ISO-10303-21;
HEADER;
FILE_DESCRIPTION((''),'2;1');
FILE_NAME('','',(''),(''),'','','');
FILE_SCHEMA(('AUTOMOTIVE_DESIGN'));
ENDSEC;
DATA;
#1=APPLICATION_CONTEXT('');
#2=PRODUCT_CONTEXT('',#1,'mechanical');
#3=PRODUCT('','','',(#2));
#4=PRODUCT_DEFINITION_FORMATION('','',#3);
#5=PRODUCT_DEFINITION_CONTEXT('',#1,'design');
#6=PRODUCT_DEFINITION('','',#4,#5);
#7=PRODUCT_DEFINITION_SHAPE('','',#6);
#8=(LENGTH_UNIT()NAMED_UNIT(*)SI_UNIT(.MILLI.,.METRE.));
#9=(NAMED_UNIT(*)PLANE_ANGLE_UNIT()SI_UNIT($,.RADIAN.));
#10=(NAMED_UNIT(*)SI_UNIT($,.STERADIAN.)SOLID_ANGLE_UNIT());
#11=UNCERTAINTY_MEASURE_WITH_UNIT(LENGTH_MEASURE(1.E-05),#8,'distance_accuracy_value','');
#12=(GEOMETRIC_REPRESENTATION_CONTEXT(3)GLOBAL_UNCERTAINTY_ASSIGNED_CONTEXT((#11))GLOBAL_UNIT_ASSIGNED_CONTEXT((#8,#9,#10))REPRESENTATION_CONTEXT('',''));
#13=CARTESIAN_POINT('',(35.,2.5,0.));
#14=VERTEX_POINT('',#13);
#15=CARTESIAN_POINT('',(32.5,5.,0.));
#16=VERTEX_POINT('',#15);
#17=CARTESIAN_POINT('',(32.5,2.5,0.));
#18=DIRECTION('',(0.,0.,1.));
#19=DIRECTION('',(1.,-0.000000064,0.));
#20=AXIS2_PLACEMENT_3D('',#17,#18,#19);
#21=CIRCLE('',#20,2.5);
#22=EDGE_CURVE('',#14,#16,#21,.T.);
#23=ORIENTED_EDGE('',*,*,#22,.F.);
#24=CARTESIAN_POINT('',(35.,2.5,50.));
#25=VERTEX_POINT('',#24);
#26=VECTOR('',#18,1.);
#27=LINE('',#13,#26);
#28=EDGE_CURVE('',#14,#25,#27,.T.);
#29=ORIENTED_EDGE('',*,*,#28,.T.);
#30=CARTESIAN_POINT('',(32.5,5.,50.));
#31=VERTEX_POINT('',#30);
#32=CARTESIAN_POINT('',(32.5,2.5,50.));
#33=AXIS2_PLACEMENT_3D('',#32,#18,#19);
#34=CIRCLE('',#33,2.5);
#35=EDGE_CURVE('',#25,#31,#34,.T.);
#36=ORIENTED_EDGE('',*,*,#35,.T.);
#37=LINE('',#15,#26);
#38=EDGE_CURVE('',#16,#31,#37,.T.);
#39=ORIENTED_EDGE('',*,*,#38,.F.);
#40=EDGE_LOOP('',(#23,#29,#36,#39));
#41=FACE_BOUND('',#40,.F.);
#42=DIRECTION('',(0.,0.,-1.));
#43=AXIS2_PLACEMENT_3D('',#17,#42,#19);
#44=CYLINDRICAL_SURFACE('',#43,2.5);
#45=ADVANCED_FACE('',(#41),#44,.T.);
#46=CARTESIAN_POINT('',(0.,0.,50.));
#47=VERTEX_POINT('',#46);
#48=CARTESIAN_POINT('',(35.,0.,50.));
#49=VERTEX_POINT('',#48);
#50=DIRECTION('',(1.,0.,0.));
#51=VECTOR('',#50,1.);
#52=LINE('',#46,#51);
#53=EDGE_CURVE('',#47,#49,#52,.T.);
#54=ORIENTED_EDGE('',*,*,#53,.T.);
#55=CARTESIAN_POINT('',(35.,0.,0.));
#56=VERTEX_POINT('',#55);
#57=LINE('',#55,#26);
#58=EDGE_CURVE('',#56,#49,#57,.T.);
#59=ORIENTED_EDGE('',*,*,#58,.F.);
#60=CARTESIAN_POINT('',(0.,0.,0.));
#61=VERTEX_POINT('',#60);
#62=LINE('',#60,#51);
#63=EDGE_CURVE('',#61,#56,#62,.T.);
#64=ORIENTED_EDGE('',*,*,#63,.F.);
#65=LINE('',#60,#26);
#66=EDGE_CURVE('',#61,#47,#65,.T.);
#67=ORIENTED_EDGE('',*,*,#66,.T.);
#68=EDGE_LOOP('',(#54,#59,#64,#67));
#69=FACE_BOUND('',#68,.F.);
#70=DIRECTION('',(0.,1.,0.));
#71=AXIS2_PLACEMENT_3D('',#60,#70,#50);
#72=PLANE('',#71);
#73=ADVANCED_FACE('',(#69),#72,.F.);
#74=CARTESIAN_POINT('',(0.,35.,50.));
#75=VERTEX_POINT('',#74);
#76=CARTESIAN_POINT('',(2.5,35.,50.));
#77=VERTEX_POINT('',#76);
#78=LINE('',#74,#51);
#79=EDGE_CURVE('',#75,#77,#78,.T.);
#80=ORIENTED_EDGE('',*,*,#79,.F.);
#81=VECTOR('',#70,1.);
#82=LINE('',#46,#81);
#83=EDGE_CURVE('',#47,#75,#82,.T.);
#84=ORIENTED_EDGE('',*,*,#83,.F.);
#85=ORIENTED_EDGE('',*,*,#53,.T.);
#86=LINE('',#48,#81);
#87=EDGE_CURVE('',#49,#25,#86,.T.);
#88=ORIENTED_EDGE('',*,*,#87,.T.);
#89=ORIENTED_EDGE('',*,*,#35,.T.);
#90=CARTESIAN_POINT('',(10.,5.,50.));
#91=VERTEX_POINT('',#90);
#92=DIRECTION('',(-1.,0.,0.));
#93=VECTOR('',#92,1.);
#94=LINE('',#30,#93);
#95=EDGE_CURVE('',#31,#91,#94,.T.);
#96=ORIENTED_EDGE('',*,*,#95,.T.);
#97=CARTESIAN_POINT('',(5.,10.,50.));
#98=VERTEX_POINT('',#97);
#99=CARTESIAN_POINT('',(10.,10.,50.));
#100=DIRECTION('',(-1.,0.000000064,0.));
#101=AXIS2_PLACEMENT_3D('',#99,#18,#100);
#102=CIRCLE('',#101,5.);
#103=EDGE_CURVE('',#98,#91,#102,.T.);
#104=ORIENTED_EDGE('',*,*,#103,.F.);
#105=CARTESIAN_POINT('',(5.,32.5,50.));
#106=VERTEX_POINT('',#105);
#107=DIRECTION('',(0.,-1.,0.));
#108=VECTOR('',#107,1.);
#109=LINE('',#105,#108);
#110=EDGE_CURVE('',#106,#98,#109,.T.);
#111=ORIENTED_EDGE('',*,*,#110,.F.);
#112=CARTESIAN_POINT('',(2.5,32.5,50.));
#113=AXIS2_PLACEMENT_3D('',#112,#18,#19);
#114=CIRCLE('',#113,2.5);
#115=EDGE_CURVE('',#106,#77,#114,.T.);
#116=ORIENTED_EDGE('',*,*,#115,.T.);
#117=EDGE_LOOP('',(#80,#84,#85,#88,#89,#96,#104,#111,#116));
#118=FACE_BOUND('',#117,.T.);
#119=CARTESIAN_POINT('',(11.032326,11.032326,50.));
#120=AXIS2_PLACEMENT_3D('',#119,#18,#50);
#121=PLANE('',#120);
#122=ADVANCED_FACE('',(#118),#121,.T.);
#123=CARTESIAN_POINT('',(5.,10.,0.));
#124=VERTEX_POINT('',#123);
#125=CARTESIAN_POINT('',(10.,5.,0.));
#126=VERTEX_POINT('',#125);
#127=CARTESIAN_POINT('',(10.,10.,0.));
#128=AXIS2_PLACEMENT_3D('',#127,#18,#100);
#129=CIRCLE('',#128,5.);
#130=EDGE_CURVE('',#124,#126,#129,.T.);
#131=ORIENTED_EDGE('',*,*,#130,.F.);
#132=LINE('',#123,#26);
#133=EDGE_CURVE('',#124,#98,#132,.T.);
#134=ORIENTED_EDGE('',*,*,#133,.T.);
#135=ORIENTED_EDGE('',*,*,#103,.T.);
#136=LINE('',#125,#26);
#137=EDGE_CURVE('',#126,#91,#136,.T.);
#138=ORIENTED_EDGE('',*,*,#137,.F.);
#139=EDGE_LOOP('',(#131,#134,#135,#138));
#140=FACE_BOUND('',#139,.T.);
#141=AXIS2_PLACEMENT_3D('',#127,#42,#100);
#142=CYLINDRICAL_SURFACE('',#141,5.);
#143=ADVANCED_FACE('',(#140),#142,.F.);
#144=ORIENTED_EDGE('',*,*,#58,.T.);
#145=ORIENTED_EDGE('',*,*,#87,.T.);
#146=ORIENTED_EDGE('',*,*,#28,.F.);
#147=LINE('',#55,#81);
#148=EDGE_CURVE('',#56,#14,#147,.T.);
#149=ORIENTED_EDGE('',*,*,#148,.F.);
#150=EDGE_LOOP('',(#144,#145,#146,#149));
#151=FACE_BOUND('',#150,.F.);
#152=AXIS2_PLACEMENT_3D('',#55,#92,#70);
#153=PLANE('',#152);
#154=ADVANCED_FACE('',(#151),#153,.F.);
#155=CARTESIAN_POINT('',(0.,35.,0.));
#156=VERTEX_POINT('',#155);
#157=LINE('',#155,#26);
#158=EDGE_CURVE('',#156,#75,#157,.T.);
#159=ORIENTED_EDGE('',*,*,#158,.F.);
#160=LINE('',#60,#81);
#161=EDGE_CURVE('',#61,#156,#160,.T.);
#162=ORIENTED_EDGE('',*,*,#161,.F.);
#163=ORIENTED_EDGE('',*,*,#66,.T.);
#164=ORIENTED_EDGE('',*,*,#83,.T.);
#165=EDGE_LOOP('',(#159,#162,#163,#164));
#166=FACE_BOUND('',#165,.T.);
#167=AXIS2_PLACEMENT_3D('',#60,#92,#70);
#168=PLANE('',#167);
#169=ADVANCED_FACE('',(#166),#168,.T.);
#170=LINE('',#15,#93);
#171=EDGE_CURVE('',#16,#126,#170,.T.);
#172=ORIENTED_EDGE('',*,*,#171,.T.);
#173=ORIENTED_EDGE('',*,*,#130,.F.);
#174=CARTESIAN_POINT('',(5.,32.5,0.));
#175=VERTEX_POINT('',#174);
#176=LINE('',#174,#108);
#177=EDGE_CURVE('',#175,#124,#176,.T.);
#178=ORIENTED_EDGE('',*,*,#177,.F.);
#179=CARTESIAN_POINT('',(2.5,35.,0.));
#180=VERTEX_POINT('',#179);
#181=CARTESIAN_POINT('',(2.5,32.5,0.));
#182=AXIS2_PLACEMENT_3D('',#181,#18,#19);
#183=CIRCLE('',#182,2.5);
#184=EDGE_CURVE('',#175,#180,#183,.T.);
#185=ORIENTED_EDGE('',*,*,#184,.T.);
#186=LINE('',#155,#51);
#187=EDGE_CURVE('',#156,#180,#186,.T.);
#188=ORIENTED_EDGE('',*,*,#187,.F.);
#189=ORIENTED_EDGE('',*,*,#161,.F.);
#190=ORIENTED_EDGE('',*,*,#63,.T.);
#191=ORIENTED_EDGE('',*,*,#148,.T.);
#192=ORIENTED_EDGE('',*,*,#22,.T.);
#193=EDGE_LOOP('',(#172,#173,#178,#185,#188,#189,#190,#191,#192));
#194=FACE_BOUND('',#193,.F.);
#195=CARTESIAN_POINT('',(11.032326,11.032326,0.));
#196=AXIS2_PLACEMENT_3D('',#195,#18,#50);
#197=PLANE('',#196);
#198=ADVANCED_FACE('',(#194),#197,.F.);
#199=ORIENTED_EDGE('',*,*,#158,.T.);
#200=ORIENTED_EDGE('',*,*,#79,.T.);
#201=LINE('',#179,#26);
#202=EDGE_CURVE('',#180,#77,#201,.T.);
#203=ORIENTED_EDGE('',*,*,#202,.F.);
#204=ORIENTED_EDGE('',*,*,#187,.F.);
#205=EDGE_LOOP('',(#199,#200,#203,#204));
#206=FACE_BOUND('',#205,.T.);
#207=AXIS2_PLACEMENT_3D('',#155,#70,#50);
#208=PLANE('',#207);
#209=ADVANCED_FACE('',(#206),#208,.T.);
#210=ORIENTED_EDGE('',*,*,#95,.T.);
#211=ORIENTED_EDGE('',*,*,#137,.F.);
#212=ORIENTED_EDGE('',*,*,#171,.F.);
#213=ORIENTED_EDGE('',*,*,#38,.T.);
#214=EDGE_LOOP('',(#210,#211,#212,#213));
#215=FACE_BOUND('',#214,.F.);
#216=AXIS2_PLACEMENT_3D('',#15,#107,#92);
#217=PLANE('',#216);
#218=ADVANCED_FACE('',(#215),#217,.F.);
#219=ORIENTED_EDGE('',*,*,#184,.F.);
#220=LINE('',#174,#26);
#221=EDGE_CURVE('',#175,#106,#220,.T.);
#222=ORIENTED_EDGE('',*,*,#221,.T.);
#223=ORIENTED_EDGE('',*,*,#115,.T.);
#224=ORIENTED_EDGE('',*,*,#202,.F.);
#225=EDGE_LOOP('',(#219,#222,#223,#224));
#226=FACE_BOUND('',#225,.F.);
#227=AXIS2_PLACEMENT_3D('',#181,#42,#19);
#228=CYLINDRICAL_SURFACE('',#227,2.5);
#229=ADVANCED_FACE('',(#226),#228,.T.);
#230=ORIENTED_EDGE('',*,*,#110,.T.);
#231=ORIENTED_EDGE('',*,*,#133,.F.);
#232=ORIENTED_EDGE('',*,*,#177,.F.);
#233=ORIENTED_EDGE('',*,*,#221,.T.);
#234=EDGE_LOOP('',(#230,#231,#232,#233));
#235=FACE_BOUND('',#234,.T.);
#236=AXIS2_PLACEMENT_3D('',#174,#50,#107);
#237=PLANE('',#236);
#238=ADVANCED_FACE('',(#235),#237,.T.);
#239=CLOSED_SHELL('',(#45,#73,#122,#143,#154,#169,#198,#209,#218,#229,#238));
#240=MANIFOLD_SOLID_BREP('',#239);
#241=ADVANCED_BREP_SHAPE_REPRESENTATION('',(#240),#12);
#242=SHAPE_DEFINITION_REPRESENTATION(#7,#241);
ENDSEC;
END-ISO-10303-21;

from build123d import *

# Parameters (mm, degrees)
EXTRUDE_DEPTH = 50


with BuildPart() as part:
    # Sketch → Extrude (new body)
    with BuildSketch(Plane.XY):
        with BuildLine():
            Line((0, 0), (35, 0))
            Line((35, 0), (35, 2.5))
            ThreePointArc((35, 2.5), (34.267767, 4.267767), (32.5, 5))
            Line((32.5, 5), (10, 5))
            ThreePointArc((5, 10), (6.464466, 6.464466), (10, 5))
            Line((5, 32.5), (5, 10))
            ThreePointArc((5, 32.5), (4.267767, 34.267767), (2.5, 35))
            Line((0, 35), (2.5, 35))
            Line((0, 0), (0, 35))
        make_face()
    extrude(amount=EXTRUDE_DEPTH)


solid = part.part
